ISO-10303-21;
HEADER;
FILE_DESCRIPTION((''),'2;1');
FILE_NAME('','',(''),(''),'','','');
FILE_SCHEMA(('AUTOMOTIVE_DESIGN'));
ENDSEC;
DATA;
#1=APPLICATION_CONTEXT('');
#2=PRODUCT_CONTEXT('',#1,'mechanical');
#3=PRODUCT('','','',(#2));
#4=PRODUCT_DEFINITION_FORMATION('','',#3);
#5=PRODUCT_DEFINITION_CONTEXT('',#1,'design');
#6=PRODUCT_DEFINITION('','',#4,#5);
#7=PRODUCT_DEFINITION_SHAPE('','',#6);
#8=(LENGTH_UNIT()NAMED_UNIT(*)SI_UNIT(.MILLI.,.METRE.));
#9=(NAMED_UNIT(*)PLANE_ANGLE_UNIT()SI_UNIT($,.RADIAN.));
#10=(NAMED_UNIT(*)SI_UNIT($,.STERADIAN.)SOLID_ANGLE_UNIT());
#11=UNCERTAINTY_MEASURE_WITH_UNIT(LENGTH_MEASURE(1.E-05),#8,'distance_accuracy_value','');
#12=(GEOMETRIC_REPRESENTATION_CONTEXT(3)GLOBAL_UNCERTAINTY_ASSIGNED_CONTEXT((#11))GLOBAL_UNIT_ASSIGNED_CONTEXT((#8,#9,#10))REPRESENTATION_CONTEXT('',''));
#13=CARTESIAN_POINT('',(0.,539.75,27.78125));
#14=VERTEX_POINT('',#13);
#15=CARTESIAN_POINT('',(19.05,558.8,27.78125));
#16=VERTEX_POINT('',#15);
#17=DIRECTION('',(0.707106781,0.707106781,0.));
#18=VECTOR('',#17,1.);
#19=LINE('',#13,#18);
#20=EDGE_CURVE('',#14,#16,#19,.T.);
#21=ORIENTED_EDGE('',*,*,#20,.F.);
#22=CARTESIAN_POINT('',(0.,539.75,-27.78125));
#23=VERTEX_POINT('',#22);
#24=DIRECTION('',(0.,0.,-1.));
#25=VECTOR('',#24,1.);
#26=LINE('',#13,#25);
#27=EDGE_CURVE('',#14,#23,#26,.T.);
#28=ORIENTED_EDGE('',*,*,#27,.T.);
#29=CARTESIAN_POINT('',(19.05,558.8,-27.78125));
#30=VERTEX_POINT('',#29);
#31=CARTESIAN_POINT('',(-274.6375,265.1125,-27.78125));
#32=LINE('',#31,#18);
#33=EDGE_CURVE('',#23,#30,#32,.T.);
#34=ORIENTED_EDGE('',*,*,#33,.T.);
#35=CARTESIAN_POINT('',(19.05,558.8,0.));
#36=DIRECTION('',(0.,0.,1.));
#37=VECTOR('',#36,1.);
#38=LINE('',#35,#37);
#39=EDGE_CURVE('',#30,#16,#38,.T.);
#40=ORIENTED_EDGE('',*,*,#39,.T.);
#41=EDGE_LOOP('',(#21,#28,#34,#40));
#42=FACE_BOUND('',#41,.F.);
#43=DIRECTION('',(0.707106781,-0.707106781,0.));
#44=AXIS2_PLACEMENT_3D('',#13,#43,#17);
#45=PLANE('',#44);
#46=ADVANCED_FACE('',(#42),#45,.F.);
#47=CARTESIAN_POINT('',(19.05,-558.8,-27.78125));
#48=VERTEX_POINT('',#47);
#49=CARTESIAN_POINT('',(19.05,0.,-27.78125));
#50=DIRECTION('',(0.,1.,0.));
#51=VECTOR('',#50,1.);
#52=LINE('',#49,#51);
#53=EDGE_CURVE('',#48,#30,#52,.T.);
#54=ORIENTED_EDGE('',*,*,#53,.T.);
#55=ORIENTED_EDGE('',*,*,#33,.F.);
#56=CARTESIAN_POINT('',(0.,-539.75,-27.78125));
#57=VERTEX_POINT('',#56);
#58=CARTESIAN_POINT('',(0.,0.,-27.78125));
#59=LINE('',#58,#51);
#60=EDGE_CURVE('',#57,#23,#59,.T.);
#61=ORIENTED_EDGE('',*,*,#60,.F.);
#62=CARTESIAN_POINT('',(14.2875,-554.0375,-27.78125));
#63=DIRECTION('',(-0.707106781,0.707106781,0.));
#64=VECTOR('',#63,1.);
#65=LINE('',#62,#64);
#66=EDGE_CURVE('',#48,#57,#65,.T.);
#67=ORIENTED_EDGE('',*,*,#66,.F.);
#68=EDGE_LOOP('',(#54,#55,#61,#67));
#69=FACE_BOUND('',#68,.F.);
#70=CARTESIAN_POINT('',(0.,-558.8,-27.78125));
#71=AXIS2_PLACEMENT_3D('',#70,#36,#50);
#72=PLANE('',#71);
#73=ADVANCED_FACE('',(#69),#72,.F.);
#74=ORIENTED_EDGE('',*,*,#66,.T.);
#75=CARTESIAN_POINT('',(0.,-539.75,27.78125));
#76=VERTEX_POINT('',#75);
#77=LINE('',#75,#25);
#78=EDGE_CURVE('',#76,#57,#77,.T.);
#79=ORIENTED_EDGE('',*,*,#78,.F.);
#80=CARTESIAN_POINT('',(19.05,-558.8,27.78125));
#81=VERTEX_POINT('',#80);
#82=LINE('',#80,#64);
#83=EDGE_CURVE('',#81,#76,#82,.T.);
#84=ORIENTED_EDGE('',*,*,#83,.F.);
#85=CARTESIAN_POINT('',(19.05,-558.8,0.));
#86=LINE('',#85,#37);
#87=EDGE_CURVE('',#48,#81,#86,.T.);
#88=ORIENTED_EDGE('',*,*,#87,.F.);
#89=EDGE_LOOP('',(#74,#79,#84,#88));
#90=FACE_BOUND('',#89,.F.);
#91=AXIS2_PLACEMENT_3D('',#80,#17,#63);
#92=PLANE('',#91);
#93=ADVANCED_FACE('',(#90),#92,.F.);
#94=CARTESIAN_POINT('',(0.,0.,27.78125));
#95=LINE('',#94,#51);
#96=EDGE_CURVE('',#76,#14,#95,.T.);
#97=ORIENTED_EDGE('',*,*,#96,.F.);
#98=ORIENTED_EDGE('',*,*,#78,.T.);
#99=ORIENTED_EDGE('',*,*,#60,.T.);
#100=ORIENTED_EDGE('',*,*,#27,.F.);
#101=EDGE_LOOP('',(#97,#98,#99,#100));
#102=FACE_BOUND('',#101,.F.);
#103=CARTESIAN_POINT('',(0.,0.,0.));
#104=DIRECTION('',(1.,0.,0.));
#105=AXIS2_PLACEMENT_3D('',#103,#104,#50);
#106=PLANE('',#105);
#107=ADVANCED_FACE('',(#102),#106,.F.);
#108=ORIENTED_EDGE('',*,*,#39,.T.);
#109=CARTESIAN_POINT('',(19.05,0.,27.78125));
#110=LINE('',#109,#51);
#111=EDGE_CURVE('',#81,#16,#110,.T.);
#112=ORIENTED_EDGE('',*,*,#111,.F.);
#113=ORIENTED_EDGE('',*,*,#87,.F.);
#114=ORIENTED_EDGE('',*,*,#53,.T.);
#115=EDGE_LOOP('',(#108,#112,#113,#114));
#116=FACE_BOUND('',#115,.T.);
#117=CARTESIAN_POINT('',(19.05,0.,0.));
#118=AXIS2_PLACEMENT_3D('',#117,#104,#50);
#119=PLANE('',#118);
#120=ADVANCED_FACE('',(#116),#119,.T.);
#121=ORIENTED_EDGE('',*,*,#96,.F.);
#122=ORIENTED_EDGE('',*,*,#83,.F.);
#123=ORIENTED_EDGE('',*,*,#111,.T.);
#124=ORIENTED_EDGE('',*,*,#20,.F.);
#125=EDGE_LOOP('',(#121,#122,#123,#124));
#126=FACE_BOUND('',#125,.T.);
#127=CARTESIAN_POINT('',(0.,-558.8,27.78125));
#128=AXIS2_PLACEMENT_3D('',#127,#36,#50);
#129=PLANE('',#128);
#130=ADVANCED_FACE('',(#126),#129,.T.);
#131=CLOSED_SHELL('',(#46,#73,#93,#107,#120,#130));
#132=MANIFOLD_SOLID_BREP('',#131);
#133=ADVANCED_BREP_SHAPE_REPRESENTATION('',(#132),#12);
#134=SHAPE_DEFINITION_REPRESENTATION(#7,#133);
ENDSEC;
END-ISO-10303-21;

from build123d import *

# Parameters (mm, degrees)
F0_W     = 1117.6
F0_H     = 55.5625
F1_DEPTH = 19.05
F3_DEPTH = 55.5635


with BuildPart() as f1:
    # F0 (on Right) → F1 (new body)
    with BuildSketch(Plane.YZ):
        Rectangle(F0_W, F0_H)
    extrude(amount=F1_DEPTH)

    # F2 (on face) → F3 (cut, through all)
    with BuildSketch(Plane.XY.offset(27.78125)):
        Polygon((0, 539.75), (19.05, 558.8), (0, 558.8), align=None)
        Polygon((0, -558.8), (19.05, -558.8), (0, -539.75), align=None)
    extrude(amount=-F3_DEPTH, mode=Mode.SUBTRACT)


solid = f1.part
